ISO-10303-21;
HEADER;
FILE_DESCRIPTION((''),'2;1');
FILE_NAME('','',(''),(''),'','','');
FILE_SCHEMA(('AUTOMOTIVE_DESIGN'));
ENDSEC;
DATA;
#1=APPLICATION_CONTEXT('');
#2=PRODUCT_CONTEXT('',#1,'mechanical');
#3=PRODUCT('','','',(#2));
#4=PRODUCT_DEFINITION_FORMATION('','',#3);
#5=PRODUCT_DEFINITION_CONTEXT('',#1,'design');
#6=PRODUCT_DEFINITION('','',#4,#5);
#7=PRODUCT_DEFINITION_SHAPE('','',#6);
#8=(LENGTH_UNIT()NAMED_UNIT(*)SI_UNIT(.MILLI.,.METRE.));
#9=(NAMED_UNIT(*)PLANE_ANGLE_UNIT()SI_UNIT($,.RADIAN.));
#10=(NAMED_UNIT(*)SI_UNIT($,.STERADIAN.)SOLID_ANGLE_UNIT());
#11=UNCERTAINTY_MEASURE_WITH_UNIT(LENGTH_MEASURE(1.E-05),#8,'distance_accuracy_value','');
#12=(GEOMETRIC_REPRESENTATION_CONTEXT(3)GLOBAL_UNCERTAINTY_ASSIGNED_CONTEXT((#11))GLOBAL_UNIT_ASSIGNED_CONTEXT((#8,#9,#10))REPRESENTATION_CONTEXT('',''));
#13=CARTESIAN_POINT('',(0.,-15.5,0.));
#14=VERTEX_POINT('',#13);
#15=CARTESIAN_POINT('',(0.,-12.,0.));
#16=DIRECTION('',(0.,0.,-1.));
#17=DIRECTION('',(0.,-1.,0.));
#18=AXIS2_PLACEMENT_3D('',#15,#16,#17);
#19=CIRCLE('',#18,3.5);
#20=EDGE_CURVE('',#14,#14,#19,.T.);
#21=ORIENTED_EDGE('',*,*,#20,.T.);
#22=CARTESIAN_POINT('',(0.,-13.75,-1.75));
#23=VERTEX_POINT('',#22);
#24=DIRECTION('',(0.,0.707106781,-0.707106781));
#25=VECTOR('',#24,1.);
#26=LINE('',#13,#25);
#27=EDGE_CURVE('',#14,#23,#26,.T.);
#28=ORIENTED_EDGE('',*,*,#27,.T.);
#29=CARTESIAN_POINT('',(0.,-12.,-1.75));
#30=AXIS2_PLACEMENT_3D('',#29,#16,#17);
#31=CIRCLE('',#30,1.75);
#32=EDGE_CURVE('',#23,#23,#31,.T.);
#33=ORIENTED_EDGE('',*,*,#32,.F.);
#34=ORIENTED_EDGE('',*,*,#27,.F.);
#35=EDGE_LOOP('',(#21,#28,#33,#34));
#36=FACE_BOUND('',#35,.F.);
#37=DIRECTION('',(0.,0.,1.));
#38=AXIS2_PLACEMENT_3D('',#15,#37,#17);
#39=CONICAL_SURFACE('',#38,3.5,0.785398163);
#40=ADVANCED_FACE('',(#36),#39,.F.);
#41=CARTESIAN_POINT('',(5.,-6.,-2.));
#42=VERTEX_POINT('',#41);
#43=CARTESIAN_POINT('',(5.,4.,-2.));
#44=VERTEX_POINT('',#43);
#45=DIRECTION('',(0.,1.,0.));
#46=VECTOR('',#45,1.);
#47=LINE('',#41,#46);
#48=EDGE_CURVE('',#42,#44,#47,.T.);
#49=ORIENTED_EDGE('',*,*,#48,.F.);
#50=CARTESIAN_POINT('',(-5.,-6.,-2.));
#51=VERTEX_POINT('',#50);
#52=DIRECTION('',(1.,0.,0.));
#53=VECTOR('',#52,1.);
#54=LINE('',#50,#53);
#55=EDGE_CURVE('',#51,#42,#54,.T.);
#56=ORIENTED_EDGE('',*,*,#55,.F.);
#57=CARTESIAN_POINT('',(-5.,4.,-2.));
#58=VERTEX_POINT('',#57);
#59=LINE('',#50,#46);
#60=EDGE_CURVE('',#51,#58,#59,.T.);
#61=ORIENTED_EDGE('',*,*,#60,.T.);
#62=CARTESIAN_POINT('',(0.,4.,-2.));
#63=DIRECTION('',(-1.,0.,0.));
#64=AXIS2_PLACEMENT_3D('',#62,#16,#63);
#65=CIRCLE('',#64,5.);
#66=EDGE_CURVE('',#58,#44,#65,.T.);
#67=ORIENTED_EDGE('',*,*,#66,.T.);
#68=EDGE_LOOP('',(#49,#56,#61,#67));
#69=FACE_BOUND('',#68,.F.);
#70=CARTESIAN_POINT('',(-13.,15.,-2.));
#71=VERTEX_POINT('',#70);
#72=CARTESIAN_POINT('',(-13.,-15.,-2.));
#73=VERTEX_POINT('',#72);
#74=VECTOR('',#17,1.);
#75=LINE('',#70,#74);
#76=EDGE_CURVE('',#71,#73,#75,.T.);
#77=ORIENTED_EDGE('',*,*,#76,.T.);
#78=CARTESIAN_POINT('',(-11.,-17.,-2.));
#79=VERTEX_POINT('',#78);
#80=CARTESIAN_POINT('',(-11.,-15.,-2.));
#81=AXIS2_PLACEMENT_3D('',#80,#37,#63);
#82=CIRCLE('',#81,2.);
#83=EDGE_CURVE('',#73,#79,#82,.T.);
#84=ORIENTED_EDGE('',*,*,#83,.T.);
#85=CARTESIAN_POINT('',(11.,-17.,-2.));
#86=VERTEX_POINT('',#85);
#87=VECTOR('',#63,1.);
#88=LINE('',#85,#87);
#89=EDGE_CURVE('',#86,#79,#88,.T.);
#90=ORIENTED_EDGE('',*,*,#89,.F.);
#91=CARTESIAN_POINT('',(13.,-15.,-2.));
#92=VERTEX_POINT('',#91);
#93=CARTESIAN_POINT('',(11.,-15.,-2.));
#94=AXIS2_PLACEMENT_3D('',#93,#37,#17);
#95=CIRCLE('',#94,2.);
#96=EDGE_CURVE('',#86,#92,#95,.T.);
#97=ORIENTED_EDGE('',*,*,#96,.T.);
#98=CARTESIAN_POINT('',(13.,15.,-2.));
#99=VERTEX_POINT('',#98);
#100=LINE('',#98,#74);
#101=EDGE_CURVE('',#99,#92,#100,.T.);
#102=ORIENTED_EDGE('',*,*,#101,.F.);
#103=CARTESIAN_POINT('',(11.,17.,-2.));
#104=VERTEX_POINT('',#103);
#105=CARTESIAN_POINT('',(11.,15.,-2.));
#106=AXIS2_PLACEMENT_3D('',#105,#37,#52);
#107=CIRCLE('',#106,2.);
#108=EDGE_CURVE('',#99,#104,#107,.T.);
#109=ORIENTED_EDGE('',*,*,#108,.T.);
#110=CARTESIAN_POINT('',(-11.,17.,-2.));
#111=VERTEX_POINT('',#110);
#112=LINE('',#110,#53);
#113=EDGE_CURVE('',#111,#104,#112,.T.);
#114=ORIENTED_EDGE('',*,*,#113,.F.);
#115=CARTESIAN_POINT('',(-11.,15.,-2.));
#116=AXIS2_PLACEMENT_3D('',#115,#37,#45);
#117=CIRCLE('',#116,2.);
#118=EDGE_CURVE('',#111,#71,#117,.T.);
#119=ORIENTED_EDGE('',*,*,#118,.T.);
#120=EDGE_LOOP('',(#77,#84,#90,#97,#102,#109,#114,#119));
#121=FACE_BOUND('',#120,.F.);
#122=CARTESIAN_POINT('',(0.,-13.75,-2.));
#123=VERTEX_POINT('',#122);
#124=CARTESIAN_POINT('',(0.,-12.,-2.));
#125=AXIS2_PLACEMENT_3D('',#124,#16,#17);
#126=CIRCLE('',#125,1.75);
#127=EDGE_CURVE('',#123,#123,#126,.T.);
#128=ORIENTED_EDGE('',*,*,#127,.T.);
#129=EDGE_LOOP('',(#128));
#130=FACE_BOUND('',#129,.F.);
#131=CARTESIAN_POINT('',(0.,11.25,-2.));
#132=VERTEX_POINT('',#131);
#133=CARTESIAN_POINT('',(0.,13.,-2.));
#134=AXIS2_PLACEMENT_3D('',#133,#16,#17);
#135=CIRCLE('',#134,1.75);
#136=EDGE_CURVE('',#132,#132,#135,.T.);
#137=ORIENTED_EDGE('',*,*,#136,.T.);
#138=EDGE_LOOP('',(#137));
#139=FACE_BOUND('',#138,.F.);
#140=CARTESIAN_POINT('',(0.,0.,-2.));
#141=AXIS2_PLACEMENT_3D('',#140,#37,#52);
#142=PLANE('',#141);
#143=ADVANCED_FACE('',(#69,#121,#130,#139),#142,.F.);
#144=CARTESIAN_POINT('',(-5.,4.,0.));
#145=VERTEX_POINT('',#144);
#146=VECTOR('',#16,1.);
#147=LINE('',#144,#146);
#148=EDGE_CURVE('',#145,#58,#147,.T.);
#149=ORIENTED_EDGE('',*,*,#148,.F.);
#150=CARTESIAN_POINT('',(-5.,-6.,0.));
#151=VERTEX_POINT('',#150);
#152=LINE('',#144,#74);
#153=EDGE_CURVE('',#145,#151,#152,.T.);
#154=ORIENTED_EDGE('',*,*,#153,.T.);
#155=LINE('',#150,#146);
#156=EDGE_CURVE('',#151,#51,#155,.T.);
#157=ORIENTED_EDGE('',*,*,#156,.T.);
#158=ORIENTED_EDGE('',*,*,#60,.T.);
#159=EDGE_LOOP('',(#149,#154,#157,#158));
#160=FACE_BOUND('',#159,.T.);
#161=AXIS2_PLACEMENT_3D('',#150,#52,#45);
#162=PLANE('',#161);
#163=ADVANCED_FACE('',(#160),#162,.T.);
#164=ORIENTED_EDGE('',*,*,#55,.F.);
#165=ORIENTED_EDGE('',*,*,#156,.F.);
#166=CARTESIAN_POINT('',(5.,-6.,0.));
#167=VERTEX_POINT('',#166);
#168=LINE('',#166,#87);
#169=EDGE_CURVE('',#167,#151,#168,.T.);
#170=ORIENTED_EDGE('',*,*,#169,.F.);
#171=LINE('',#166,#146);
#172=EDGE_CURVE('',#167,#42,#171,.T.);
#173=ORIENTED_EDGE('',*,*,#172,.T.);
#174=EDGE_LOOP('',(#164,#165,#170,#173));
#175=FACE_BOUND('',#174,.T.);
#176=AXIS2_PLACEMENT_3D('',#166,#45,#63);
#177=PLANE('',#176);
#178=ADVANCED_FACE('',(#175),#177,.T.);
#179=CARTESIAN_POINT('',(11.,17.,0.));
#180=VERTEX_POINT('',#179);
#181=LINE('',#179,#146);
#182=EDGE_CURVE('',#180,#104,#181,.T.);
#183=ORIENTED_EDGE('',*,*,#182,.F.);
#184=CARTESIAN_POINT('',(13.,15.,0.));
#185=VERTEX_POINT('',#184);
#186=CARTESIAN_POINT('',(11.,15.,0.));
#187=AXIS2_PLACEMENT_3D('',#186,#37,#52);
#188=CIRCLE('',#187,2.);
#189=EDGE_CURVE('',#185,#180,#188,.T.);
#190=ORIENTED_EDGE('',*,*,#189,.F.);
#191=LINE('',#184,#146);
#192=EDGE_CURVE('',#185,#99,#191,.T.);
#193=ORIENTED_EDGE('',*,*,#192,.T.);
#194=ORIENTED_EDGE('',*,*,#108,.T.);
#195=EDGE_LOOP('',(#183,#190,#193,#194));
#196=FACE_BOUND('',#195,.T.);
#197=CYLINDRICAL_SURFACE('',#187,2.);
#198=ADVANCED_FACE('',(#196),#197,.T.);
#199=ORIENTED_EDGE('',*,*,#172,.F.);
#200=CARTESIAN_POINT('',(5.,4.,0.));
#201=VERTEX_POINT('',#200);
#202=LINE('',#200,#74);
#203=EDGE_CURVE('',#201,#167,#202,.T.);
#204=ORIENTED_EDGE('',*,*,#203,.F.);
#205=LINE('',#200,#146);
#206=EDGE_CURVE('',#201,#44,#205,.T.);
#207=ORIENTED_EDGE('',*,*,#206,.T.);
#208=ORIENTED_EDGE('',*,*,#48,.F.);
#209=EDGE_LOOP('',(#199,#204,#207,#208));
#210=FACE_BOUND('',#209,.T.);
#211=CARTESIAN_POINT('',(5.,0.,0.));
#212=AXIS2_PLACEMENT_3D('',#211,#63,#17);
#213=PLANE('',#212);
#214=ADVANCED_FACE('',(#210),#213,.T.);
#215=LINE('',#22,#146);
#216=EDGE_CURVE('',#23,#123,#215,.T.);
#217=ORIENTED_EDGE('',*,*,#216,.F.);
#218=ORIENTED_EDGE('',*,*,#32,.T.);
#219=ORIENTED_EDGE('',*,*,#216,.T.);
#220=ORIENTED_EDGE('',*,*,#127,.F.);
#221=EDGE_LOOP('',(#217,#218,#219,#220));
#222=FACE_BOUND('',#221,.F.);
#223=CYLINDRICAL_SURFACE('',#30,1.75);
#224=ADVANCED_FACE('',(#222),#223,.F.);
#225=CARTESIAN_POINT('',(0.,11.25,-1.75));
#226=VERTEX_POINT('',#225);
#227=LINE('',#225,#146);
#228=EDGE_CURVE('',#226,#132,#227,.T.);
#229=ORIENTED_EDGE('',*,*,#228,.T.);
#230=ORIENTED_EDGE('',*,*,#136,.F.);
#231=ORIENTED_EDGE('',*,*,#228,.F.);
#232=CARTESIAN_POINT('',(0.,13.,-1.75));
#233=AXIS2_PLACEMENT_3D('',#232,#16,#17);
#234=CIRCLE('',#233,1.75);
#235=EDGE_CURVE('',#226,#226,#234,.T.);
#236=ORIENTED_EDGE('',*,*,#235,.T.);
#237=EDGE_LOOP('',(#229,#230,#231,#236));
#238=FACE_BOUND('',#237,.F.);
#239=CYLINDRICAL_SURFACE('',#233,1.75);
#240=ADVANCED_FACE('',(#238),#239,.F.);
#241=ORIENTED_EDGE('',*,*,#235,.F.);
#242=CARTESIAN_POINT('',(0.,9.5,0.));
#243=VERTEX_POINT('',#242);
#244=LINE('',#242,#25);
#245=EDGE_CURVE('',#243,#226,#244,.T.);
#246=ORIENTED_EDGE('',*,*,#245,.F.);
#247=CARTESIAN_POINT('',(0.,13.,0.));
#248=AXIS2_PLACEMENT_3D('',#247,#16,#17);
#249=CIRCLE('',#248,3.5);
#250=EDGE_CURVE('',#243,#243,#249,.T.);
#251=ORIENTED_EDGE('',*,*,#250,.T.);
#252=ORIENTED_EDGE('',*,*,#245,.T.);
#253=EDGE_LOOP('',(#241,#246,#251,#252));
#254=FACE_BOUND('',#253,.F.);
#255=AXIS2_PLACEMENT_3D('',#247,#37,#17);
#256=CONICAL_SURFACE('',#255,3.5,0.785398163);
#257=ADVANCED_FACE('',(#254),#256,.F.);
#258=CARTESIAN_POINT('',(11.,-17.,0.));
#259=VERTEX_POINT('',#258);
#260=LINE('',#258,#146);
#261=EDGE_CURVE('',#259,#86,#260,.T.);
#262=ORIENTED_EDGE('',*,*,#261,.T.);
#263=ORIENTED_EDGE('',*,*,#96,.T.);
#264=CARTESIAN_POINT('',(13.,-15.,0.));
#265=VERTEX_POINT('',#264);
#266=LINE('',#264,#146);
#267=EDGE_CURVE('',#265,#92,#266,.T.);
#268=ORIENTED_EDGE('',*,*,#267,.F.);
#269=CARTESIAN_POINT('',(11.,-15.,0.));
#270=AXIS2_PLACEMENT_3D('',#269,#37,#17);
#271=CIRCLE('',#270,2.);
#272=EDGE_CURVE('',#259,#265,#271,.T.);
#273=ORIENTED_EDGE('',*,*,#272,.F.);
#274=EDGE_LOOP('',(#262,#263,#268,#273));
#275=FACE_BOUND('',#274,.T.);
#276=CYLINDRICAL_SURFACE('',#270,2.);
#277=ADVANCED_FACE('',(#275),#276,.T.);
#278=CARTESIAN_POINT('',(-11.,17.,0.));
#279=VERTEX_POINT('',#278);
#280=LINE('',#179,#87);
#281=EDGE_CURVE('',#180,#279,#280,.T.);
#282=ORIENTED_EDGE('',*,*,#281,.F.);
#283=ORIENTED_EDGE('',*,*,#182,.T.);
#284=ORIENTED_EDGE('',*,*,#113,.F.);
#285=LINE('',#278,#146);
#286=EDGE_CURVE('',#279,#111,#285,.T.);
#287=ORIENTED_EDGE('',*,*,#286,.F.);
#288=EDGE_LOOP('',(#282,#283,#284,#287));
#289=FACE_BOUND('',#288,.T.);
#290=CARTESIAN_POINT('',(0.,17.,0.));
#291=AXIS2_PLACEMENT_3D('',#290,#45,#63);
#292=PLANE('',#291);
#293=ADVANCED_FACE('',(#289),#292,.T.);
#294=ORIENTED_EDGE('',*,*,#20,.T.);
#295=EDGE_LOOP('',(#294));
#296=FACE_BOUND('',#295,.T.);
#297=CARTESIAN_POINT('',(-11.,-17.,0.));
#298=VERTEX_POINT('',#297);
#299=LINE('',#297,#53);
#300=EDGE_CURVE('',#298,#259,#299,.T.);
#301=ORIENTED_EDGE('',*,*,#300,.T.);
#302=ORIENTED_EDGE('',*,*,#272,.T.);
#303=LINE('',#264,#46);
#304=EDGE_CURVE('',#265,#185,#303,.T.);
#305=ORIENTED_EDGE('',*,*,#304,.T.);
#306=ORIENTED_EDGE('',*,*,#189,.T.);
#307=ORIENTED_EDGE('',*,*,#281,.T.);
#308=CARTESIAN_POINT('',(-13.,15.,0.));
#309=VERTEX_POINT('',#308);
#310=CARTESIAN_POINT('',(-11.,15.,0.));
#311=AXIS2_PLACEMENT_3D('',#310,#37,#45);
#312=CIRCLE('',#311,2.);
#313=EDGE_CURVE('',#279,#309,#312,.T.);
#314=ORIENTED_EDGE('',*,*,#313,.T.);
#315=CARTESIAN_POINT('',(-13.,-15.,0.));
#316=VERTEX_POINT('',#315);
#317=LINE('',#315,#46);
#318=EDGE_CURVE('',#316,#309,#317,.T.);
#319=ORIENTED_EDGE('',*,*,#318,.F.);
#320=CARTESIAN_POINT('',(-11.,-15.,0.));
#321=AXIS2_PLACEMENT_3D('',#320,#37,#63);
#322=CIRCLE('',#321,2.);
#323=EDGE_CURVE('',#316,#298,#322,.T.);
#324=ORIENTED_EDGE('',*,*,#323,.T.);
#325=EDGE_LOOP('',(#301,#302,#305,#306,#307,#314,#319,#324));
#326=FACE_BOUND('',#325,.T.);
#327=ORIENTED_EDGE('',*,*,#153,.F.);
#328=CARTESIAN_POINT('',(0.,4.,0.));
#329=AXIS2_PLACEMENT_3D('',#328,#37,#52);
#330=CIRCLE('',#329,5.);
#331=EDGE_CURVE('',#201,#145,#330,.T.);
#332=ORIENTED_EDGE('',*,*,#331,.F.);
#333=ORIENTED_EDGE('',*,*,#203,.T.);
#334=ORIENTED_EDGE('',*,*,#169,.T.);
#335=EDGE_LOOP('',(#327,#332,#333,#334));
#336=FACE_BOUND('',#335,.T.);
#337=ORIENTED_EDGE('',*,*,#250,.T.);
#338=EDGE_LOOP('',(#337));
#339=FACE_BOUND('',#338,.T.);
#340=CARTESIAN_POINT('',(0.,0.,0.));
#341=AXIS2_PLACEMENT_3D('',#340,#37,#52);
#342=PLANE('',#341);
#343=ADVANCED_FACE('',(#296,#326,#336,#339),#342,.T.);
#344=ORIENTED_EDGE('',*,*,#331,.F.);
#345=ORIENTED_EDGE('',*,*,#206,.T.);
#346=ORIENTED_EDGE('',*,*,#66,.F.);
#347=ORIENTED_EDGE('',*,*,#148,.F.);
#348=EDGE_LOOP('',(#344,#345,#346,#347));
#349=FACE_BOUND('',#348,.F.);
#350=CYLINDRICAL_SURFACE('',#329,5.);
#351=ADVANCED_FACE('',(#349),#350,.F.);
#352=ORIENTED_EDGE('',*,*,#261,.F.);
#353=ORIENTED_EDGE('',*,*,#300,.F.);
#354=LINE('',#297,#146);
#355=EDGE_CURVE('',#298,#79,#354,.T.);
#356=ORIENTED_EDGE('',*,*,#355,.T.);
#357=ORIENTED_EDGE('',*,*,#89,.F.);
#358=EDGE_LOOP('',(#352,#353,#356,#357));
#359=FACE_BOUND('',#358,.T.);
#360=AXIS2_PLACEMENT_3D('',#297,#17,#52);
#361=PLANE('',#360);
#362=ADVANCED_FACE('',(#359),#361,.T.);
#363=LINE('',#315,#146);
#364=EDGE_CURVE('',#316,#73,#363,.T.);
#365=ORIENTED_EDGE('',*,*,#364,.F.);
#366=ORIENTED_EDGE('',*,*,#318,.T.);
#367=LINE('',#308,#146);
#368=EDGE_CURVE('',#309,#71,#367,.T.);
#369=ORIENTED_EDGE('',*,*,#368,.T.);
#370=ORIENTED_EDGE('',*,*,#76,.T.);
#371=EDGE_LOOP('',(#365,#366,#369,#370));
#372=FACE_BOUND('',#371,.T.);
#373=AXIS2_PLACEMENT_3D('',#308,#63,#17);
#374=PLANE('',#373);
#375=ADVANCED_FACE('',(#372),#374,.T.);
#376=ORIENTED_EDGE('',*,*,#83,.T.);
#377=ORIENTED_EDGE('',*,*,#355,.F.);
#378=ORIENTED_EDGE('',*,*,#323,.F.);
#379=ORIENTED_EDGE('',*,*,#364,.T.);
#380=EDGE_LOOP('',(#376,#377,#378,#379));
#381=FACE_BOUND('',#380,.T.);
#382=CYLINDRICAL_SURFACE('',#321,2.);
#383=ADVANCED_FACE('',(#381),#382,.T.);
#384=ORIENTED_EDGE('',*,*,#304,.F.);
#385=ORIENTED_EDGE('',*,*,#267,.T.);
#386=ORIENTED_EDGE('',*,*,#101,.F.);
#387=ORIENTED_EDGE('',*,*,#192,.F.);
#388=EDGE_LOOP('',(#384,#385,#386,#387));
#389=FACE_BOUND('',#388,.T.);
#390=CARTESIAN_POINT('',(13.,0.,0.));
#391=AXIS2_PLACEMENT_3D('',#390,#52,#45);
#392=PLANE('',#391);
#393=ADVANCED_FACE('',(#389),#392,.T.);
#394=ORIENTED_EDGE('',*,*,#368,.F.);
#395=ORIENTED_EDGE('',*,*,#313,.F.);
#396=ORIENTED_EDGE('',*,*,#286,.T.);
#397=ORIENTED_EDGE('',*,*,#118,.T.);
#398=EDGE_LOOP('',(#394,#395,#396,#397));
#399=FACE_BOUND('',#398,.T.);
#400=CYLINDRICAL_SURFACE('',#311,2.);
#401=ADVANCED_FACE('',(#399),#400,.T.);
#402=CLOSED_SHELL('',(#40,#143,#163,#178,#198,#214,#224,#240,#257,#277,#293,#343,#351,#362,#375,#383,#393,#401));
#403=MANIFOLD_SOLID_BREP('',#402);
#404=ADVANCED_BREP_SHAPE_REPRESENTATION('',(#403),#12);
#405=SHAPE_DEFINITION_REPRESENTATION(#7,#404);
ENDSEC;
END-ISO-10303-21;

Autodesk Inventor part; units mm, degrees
ref_plane "YZ Plane" through (0, 0, 0) normal (1, 0, 0) x (0, 1, 0)
ref_plane "XZ Plane" through (0, 0, 0) normal (0, 1, 0) x (-1, 0, 0)
ref_plane "XY Plane" through (0, 0, 0) normal (0, 0, 1) x (1, 0, 0)
sketch "Skizze1" plane through (0, 0, 0) normal (0, 0, 1) x (1, 0, 0)
  line L0 (-18.7799, 0) -> (18.7799, 0) projected
  line L1 (0, -24.3799) -> (0, 24.3799) projected
  line L2 (-11, -17) -> (11, -17)
  line L3 (13, -15) -> (13, 15)
  line L4 (11, 17) -> (-11, 17)
  line L5 (-13, 15) -> (-13, -15)
  line L6 (-13, -17) -> (13, 17) construction
  line L7 (13, -17) -> (-13, 17) construction
  arc A0 (-11, 17) -> (-13, 15) centre (-11, 15) ccw
  arc A1 (13, 15) -> (11, 17) centre (11, 15) ccw
  arc A2 (11, -17) -> (13, -15) centre (11, -15) ccw
  arc A3 (-13, -15) -> (-11, -17) centre (-11, -15) ccw
  point P0 (0, 0)
  dimension "d0" = 26
  dimension "d1" = 34
  dimension "d2" = 2
extrude "Extrusion1" add sketch "Skizze1" against normal blind 2
sketch "Skizze2" plane through (0, 0, 0) normal (0, 0, 1) x (1, 0, 0)
  line L0 (13, -15) -> (13, 15) projected
  arc A0 (13, 15) -> (11, 17) centre (11, 15) ccw projected
  line L1 (11, 17) -> (-11, 17) projected
  arc A1 (-11, 17) -> (-13, 15) centre (-11, 15) ccw projected
  line L2 (-13, 15) -> (-13, -15) projected
  arc A2 (-13, -15) -> (-11, -17) centre (-11, -15) ccw projected
  line L3 (-11, -17) -> (11, -17) projected
  arc A3 (11, -17) -> (13, -15) centre (11, -15) ccw projected
  line L4 (-18.7799, 0) -> (18.7799, 0) projected
  line L5 (0, -24.3799) -> (0, 24.3799) projected
  line L6 (-5, 4) -> (5, 4)
  line L7 (5, 4) -> (5, -6)
  line L8 (5, -6) -> (-5, -6)
  line L9 (-5, -6) -> (-5, 4)
  arc A4 (5, 4) -> (-5, 4) centre (0, 4) ccw
  point P0 (0, 0)
  dimension "d5" = 10
  dimension "d6" = 10
  dimension "d7" = 11
  dimension "d8" = 5
extrude "Extrusion2" cut sketch "Skizze2" against normal blind 2 contours L7 L8 L5 L4 | L4 L5 L6 L7 | L5 L8 L9 L4 | L4 L9 L6 L5 | L6 L5 A4 | L6 A4 L5
sketch "Skizze3" plane through (0, 0, 0) normal (0, 0, 1) x (1, 0, 0)
  line L0 (5, 4) -> (5, -6) projected
  line L1 (5, -6) -> (-5, -6) projected
  line L2 (-5, -6) -> (-5, 4) projected
  arc A0 (5, 4) -> (-5, 4) centre (0, 4) ccw projected
  line L3 (13, -15) -> (13, 15) projected
  arc A1 (13, 15) -> (11, 17) centre (11, 15) ccw projected
  line L4 (11, 17) -> (-11, 17) projected
  arc A2 (-11, 17) -> (-13, 15) centre (-11, 15) ccw projected
  line L5 (-13, 15) -> (-13, -15) projected
  arc A3 (-13, -15) -> (-11, -17) centre (-11, -15) ccw projected
  line L6 (-11, -17) -> (11, -17) projected
  arc A4 (11, -17) -> (13, -15) centre (11, -15) ccw projected
  line L7 (-18.7799, 0) -> (18.7799, 0) projected
  line L8 (0, -24.3799) -> (0, 24.3799) projected
  point P0 (0, 0)
  point P1 (0, -12)
  point P2 (0, 13)
  dimension "d11" = 25
  dimension "d12" = 5
hole "Bohrung1" at (0, -12, 0) at (0, 13, 0) direction (0, 0, -1) diameter 3.5 end through all countersink diameter 7 countersink angle 90
properties part number "Rückwand Deckplatte" material "PVC, hart"
